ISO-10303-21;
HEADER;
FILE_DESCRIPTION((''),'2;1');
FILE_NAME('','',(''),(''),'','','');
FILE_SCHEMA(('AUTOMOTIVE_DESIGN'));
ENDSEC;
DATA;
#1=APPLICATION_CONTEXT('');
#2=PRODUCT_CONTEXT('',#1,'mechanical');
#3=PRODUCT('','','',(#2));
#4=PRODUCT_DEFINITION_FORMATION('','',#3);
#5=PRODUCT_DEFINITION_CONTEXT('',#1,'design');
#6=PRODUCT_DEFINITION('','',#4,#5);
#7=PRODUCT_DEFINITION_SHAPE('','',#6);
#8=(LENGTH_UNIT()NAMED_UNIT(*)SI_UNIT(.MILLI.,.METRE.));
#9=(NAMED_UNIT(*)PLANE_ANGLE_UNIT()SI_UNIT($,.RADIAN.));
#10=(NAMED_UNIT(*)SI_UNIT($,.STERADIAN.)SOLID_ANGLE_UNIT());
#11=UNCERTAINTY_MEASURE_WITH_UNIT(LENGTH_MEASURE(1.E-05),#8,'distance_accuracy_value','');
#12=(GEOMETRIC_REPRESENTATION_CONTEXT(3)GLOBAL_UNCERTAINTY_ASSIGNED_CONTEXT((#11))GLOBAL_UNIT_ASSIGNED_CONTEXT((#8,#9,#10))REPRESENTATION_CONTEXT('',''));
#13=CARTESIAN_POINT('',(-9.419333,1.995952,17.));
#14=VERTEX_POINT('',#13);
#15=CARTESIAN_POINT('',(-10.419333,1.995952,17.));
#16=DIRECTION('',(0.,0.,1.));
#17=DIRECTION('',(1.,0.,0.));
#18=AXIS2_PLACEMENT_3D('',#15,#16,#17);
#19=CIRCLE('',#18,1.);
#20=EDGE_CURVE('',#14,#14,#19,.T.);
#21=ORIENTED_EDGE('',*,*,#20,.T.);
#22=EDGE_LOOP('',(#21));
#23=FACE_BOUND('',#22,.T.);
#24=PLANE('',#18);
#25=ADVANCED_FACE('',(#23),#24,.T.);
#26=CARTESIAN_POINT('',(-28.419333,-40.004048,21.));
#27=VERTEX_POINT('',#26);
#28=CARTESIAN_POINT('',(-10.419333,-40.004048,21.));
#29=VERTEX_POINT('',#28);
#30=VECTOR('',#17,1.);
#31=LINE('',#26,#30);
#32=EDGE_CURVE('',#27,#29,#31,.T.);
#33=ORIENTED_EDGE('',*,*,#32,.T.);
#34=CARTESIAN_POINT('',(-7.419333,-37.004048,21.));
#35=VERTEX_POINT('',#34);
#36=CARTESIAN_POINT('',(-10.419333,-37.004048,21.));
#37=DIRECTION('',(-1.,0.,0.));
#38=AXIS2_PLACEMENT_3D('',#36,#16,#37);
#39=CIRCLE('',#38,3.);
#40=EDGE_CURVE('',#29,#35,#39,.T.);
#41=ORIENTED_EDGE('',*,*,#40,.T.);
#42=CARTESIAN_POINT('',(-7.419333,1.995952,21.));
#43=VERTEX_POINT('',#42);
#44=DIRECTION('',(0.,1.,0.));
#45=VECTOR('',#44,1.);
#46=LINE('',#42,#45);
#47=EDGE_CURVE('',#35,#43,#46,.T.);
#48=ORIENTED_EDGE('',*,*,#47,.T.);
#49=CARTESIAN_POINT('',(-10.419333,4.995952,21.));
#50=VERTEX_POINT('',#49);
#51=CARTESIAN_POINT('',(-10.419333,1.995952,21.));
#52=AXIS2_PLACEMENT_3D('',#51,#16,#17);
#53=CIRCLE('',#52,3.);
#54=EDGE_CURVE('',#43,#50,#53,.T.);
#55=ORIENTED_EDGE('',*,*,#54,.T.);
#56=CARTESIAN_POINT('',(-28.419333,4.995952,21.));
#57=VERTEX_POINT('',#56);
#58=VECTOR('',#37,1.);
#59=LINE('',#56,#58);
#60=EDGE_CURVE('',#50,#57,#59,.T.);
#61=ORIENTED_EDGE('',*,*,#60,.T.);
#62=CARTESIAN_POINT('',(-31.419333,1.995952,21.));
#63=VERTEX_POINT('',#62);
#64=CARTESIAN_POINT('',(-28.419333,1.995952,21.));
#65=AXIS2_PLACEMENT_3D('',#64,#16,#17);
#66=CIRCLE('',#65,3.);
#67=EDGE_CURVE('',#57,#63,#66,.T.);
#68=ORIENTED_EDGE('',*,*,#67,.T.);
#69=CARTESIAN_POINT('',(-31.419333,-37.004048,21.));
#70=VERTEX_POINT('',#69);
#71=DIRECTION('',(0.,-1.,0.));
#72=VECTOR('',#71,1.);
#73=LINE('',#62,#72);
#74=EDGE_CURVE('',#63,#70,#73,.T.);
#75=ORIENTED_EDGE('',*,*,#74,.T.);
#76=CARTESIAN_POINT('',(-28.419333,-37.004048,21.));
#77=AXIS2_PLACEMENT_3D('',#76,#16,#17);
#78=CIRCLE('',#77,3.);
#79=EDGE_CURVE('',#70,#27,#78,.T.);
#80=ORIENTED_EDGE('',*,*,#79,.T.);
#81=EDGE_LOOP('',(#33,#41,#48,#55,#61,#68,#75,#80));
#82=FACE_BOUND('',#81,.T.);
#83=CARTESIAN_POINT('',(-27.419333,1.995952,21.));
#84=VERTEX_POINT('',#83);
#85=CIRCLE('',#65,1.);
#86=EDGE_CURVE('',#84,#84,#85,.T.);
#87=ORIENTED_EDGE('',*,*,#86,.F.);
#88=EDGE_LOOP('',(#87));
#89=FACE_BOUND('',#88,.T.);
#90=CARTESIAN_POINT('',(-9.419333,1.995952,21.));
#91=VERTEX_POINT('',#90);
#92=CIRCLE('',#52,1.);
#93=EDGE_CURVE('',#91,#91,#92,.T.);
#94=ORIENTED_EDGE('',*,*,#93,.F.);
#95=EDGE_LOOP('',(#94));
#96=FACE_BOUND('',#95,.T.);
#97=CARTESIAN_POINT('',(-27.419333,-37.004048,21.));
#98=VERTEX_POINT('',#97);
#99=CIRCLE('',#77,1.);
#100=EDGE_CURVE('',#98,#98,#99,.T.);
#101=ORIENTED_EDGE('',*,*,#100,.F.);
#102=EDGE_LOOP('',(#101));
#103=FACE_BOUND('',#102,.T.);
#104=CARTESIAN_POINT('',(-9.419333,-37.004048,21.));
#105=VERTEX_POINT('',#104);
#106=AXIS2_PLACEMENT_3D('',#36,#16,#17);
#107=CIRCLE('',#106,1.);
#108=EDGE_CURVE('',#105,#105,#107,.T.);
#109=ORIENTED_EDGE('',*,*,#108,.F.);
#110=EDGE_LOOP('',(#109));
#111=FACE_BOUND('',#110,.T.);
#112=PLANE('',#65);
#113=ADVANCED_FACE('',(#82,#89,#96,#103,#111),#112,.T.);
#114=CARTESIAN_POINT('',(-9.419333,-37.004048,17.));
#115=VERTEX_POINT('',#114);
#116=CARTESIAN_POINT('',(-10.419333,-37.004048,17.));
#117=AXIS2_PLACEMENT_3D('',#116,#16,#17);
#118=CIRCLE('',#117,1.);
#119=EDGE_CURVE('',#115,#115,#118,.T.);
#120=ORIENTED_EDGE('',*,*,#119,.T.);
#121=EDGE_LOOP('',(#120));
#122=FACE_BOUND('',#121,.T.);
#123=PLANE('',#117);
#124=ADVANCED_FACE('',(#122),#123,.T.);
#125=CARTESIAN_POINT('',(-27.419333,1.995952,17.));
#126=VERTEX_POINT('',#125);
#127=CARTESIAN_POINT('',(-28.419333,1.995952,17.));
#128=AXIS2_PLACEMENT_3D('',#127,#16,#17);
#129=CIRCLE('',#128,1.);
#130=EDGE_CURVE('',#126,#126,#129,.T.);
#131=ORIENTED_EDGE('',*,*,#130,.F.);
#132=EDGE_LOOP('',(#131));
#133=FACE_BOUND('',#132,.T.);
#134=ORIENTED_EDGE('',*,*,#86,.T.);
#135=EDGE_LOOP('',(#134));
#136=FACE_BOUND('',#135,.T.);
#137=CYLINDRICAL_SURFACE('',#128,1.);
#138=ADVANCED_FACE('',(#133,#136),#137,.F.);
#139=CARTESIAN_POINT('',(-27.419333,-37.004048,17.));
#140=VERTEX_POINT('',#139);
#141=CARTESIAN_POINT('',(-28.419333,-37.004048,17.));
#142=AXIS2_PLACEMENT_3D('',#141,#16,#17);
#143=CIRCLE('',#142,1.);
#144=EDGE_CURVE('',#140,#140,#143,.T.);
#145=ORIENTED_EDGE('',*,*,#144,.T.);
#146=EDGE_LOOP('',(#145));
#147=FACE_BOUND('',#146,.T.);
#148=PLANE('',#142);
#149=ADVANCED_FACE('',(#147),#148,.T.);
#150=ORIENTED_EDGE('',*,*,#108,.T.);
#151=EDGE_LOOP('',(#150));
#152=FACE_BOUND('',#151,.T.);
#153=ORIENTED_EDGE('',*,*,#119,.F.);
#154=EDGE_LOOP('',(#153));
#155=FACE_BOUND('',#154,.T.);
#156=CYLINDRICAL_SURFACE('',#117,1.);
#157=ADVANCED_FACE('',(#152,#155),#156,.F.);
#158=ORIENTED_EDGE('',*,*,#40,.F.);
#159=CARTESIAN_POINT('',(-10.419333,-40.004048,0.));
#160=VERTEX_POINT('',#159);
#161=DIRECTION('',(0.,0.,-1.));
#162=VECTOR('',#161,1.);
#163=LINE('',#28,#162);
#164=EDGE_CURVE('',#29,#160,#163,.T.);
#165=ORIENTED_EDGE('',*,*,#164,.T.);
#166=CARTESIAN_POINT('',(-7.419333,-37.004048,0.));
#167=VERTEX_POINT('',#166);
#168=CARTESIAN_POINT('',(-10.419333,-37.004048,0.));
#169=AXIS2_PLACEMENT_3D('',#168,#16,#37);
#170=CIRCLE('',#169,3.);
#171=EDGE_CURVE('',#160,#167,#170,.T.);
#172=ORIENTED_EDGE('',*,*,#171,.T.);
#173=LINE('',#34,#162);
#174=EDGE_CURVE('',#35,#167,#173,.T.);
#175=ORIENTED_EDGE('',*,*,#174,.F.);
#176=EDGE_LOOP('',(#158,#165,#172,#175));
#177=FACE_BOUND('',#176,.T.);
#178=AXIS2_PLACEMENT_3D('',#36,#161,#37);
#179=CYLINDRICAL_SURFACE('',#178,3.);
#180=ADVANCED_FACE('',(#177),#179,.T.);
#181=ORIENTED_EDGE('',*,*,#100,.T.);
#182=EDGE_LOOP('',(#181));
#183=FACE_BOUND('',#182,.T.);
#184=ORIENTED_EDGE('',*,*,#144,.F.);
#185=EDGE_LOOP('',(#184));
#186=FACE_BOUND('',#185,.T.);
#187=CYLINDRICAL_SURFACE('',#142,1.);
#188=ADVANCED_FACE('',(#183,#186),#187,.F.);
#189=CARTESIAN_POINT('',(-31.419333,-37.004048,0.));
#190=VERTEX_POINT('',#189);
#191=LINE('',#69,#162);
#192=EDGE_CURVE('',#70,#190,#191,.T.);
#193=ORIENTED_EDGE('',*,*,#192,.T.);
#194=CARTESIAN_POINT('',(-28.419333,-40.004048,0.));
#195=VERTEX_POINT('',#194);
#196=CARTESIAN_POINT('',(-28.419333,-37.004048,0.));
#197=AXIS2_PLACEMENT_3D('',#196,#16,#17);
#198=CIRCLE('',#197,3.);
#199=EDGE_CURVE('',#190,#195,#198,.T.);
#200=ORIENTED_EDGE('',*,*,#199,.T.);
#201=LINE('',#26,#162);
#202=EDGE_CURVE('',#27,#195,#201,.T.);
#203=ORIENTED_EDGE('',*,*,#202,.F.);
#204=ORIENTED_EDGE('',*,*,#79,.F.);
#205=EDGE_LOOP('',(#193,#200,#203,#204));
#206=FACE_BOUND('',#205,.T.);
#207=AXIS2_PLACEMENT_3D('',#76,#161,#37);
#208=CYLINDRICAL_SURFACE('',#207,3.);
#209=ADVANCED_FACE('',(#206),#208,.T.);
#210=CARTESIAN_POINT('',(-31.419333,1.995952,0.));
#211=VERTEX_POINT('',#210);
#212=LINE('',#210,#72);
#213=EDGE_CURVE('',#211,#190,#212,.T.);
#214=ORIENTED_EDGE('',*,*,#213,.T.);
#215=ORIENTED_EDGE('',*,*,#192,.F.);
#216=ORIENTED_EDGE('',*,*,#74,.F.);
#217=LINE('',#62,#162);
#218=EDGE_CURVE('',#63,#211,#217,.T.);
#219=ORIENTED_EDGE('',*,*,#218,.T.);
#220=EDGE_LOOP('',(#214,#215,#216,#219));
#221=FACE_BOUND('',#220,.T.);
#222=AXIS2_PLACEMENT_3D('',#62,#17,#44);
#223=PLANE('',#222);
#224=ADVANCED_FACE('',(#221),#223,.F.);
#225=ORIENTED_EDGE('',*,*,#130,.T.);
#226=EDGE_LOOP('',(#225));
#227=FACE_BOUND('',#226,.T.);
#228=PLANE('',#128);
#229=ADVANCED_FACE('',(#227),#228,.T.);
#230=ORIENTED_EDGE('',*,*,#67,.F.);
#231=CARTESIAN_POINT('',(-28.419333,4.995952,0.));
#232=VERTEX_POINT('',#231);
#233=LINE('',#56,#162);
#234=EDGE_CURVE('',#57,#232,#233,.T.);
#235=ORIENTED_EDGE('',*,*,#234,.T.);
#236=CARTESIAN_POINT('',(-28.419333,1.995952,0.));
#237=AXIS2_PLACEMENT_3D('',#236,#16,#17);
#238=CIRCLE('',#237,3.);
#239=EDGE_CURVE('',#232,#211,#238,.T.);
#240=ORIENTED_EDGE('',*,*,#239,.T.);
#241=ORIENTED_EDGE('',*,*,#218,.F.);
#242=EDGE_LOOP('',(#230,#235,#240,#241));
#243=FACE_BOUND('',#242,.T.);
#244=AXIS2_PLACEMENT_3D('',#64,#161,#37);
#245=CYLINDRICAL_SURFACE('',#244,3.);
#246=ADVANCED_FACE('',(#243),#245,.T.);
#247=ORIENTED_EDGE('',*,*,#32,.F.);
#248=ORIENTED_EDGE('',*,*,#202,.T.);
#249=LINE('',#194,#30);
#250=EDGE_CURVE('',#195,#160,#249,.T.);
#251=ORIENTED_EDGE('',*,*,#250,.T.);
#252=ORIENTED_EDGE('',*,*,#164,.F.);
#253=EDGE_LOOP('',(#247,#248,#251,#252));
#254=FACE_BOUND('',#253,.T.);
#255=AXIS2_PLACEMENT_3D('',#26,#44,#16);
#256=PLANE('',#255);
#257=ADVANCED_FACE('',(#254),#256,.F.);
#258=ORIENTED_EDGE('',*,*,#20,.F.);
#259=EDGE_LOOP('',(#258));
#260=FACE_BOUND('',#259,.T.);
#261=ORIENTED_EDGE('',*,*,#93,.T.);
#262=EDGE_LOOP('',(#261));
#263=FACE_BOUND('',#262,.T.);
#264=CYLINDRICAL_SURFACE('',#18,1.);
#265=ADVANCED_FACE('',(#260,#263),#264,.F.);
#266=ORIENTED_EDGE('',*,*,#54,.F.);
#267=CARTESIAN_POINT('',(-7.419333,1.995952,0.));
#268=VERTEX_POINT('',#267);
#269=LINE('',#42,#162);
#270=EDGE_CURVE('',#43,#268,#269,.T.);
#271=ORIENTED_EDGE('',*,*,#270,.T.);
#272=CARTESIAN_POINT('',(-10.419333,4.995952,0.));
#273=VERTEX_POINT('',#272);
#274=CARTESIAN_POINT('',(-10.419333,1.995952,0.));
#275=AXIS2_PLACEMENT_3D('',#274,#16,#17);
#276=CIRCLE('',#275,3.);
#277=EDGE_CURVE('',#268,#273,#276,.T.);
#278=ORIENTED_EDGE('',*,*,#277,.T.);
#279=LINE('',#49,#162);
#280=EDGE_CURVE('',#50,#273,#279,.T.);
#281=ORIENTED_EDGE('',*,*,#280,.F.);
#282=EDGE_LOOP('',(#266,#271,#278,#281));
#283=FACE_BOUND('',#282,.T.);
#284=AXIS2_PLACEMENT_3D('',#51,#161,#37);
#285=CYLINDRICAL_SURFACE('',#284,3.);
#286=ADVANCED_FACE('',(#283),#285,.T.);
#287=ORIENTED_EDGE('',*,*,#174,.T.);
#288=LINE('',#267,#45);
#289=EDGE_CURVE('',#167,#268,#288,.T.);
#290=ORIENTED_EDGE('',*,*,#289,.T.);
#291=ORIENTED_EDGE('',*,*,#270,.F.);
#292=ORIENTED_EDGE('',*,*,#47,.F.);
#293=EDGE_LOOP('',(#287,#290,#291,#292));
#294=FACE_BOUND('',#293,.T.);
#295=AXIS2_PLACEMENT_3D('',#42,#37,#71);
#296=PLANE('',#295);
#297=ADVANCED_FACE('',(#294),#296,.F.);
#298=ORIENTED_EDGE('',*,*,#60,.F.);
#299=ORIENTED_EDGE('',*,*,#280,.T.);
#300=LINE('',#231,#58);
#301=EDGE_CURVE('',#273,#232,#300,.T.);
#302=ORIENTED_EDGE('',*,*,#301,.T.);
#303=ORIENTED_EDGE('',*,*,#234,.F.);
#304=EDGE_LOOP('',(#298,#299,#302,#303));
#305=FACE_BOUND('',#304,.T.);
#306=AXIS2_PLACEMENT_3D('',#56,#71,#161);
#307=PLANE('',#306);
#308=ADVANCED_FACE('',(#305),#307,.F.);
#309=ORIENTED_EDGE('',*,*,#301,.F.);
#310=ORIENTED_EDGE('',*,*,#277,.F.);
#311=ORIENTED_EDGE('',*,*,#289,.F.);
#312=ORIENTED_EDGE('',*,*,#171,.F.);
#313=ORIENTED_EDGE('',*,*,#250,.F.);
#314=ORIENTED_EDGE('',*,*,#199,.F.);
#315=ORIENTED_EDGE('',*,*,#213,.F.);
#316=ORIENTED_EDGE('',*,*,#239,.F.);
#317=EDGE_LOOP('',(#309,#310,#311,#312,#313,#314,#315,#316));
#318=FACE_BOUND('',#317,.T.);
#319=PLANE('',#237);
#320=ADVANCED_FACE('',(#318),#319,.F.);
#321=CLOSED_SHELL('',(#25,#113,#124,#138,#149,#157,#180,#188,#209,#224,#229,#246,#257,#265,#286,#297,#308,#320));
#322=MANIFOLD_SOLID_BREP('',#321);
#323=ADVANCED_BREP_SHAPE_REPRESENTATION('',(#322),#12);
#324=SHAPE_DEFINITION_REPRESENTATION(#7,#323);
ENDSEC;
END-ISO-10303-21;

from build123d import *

# Parameters (mm, degrees)
BOSS_EXTRU_1_DEPTH       = 21
ESQUISSE2_R              = 1
ENL_V_MAT_EXTRU_7_DEPTH  = 4
ESQUISSE6_R              = 1
ENL_V_MAT_EXTRU_8_DEPTH  = 4
ESQUISSE7_R              = 1
ENL_V_MAT_EXTRU_9_DEPTH  = 4
ESQUISSE8_R              = 1
ENL_V_MAT_EXTRU_10_DEPTH = 4


with BuildPart() as part:
    # Esquisse1 → Boss.-Extru.1 (new body)
    with BuildSketch(Plane.XY):
        with BuildLine():
            Line((-28.419332535, 4.995952024), (-10.419332535, 4.995952024))
            ThreePointArc((-10.419332535, 4.995952024), (-8.298012191, 4.117272368), (-7.419332535, 1.995952024))
            Line((-7.419332535, 1.995952024), (-7.419332535, -37.004047976))
            ThreePointArc((-7.419332535, -37.004047976), (-8.298012191, -39.12536832), (-10.419332535, -40.004047976))
            Line((-10.419332535, -40.004047976), (-28.419332535, -40.004047976))
            ThreePointArc((-28.419332535, -40.004047976), (-30.540652878, -39.12536832), (-31.419332535, -37.004047976))
            Line((-31.419332535, -37.004047976), (-31.419332535, 1.995952024))
            ThreePointArc((-31.419332535, 1.995952024), (-30.540652878, 4.117272368), (-28.419332535, 4.995952024))
        make_face()
    extrude(amount=BOSS_EXTRU_1_DEPTH)

    # Esquisse2 → Enlèv. mat.-Extru.7 (cut)
    with BuildSketch(Plane.XY.offset(21)):
        with Locations((-28.419332535, -37.004047976)):
            Circle(ESQUISSE2_R)
    extrude(amount=-ENL_V_MAT_EXTRU_7_DEPTH, mode=Mode.SUBTRACT)

    # Esquisse6 → Enlèv. mat.-Extru.8 (cut)
    with BuildSketch(Plane.XY.offset(21)):
        with Locations((-10.419332535, -37.004047976)):
            Circle(ESQUISSE6_R)
    extrude(amount=-ENL_V_MAT_EXTRU_8_DEPTH, mode=Mode.SUBTRACT)

    # Esquisse7 → Enlèv. mat.-Extru.9 (cut)
    with BuildSketch(Plane.XY.offset(21)):
        with Locations((-28.419332535, 1.995952024)):
            Circle(ESQUISSE7_R)
    extrude(amount=-ENL_V_MAT_EXTRU_9_DEPTH, mode=Mode.SUBTRACT)

    # Esquisse8 → Enlèv. mat.-Extru.10 (cut)
    with BuildSketch(Plane.XY.offset(21)):
        with Locations((-10.419332535, 1.995952024)):
            Circle(ESQUISSE8_R)
    extrude(amount=-ENL_V_MAT_EXTRU_10_DEPTH, mode=Mode.SUBTRACT)


solid = part.part
